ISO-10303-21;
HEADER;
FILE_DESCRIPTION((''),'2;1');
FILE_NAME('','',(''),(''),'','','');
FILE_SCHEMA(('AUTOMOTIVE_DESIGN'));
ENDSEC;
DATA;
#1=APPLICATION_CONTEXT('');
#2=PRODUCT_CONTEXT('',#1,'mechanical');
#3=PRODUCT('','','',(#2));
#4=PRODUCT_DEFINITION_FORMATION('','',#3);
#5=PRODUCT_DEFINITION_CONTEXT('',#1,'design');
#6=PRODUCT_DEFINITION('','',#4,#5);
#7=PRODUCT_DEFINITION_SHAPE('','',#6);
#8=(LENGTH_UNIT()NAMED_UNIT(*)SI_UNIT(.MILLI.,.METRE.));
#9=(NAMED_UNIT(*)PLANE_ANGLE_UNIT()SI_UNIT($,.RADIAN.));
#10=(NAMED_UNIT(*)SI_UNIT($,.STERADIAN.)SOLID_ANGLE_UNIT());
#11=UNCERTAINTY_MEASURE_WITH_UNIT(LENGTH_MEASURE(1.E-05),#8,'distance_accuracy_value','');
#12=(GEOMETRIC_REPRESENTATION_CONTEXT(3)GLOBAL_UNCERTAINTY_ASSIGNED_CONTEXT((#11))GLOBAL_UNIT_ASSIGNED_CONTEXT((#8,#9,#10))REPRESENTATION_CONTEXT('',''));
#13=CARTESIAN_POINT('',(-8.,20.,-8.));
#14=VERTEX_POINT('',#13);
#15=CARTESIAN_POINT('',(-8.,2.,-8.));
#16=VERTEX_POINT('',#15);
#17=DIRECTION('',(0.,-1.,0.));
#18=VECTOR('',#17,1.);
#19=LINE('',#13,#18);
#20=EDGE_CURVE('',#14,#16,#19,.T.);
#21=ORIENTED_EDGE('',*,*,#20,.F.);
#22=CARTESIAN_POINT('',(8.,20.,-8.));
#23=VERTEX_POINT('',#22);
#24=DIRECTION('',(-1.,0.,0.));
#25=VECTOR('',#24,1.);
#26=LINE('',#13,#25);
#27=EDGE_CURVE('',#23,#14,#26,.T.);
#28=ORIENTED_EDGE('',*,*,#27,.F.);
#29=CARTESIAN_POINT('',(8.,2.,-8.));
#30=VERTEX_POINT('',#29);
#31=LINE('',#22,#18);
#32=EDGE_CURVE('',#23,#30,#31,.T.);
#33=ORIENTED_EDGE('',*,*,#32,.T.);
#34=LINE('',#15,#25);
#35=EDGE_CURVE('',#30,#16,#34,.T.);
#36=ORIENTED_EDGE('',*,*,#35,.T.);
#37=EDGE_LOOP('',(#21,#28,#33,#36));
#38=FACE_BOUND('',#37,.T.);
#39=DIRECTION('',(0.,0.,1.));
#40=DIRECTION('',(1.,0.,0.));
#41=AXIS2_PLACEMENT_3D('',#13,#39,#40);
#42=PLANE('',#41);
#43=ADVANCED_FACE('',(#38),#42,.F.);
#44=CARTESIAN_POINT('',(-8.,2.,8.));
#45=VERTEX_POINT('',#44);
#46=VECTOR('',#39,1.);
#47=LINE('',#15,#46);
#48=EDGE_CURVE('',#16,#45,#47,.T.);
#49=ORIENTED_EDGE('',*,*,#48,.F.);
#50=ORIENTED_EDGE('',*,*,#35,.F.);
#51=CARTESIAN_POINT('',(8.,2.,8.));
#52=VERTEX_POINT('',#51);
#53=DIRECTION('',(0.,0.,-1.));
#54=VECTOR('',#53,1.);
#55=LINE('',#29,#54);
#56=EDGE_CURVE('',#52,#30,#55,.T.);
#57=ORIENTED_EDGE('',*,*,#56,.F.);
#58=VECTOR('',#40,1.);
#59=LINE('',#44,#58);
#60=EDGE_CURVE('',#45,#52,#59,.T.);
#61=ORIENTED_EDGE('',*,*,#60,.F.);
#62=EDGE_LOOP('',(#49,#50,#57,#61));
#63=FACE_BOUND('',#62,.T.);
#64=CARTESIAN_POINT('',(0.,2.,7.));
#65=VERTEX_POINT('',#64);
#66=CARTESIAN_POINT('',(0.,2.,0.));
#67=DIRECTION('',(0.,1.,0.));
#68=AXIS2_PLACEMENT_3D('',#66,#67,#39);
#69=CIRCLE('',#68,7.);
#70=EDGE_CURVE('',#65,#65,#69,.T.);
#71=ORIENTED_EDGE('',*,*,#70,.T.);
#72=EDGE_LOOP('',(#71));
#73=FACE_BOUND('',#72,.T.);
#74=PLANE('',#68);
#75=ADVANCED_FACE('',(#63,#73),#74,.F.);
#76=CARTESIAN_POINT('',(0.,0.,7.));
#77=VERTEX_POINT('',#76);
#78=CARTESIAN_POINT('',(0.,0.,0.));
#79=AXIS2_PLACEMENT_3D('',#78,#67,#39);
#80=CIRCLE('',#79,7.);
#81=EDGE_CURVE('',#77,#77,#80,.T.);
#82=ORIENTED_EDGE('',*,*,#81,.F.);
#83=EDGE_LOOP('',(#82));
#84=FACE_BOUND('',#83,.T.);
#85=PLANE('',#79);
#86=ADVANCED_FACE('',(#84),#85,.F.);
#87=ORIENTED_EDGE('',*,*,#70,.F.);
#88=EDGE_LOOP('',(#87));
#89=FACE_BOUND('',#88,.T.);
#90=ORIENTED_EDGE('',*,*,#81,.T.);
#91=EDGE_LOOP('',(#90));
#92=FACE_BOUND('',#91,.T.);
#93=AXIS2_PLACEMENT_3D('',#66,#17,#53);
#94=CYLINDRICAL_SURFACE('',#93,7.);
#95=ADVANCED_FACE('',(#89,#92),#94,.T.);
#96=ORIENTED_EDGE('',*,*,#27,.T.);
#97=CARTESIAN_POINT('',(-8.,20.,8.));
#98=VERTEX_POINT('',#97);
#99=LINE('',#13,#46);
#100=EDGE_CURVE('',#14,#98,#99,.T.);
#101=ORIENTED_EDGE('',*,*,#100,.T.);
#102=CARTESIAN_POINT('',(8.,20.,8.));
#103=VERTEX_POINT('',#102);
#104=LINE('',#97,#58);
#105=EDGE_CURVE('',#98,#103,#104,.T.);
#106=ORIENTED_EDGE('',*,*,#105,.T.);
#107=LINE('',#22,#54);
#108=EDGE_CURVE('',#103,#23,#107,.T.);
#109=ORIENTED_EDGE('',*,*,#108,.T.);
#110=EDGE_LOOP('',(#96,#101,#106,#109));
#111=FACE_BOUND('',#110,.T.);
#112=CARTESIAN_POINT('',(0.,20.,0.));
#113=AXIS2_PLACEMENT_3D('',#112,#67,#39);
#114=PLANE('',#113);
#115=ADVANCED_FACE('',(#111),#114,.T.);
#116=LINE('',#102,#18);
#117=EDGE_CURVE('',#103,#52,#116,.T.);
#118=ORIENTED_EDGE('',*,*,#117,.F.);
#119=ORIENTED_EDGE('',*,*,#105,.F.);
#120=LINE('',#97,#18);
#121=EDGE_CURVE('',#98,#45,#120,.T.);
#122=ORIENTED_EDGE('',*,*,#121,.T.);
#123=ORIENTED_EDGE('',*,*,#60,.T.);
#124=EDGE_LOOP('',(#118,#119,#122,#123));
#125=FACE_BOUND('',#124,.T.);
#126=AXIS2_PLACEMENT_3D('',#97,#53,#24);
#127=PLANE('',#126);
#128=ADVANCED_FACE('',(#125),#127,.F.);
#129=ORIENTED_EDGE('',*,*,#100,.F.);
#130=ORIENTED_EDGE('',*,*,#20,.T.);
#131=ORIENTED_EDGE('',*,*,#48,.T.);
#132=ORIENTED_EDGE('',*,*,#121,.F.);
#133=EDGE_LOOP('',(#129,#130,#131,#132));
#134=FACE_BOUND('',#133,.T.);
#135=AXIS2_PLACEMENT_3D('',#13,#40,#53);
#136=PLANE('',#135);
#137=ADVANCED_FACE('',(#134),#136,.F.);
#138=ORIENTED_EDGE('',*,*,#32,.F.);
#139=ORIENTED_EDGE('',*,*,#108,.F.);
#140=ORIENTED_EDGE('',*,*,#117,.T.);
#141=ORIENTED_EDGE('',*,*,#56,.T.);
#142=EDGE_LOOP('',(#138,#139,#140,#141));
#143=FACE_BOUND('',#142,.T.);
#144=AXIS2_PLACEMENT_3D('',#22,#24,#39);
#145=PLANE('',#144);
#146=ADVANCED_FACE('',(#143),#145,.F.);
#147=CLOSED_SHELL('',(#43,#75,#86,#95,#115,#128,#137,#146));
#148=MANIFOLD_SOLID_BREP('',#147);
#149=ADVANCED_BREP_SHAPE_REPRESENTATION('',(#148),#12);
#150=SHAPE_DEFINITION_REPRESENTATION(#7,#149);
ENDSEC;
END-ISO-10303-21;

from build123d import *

# Parameters (mm, degrees)
SKETCH_1_R      = 7
EXTRUDE_1_DEPTH = 2
SKETCH_2_W      = 16
SKETCH_2_H      = 16
EXTRUDE_2_DEPTH = 18


with BuildPart() as part:
    # 草图1 → 凸台-拉伸1 (new body)
    with BuildSketch(Plane(origin=(0, 0, 0), x_dir=(1, 0, 0), z_dir=(0, 1, 0))):
        Circle(SKETCH_1_R)
    extrude(amount=EXTRUDE_1_DEPTH)

    # 草图2 → 凸台-拉伸2 (add)
    with BuildSketch(Plane(origin=(0, 2, 0), x_dir=(1, 0, 0), z_dir=(0, 1, 0))):
        Rectangle(SKETCH_2_W, SKETCH_2_H)
    extrude(amount=EXTRUDE_2_DEPTH)


solid = part.part
